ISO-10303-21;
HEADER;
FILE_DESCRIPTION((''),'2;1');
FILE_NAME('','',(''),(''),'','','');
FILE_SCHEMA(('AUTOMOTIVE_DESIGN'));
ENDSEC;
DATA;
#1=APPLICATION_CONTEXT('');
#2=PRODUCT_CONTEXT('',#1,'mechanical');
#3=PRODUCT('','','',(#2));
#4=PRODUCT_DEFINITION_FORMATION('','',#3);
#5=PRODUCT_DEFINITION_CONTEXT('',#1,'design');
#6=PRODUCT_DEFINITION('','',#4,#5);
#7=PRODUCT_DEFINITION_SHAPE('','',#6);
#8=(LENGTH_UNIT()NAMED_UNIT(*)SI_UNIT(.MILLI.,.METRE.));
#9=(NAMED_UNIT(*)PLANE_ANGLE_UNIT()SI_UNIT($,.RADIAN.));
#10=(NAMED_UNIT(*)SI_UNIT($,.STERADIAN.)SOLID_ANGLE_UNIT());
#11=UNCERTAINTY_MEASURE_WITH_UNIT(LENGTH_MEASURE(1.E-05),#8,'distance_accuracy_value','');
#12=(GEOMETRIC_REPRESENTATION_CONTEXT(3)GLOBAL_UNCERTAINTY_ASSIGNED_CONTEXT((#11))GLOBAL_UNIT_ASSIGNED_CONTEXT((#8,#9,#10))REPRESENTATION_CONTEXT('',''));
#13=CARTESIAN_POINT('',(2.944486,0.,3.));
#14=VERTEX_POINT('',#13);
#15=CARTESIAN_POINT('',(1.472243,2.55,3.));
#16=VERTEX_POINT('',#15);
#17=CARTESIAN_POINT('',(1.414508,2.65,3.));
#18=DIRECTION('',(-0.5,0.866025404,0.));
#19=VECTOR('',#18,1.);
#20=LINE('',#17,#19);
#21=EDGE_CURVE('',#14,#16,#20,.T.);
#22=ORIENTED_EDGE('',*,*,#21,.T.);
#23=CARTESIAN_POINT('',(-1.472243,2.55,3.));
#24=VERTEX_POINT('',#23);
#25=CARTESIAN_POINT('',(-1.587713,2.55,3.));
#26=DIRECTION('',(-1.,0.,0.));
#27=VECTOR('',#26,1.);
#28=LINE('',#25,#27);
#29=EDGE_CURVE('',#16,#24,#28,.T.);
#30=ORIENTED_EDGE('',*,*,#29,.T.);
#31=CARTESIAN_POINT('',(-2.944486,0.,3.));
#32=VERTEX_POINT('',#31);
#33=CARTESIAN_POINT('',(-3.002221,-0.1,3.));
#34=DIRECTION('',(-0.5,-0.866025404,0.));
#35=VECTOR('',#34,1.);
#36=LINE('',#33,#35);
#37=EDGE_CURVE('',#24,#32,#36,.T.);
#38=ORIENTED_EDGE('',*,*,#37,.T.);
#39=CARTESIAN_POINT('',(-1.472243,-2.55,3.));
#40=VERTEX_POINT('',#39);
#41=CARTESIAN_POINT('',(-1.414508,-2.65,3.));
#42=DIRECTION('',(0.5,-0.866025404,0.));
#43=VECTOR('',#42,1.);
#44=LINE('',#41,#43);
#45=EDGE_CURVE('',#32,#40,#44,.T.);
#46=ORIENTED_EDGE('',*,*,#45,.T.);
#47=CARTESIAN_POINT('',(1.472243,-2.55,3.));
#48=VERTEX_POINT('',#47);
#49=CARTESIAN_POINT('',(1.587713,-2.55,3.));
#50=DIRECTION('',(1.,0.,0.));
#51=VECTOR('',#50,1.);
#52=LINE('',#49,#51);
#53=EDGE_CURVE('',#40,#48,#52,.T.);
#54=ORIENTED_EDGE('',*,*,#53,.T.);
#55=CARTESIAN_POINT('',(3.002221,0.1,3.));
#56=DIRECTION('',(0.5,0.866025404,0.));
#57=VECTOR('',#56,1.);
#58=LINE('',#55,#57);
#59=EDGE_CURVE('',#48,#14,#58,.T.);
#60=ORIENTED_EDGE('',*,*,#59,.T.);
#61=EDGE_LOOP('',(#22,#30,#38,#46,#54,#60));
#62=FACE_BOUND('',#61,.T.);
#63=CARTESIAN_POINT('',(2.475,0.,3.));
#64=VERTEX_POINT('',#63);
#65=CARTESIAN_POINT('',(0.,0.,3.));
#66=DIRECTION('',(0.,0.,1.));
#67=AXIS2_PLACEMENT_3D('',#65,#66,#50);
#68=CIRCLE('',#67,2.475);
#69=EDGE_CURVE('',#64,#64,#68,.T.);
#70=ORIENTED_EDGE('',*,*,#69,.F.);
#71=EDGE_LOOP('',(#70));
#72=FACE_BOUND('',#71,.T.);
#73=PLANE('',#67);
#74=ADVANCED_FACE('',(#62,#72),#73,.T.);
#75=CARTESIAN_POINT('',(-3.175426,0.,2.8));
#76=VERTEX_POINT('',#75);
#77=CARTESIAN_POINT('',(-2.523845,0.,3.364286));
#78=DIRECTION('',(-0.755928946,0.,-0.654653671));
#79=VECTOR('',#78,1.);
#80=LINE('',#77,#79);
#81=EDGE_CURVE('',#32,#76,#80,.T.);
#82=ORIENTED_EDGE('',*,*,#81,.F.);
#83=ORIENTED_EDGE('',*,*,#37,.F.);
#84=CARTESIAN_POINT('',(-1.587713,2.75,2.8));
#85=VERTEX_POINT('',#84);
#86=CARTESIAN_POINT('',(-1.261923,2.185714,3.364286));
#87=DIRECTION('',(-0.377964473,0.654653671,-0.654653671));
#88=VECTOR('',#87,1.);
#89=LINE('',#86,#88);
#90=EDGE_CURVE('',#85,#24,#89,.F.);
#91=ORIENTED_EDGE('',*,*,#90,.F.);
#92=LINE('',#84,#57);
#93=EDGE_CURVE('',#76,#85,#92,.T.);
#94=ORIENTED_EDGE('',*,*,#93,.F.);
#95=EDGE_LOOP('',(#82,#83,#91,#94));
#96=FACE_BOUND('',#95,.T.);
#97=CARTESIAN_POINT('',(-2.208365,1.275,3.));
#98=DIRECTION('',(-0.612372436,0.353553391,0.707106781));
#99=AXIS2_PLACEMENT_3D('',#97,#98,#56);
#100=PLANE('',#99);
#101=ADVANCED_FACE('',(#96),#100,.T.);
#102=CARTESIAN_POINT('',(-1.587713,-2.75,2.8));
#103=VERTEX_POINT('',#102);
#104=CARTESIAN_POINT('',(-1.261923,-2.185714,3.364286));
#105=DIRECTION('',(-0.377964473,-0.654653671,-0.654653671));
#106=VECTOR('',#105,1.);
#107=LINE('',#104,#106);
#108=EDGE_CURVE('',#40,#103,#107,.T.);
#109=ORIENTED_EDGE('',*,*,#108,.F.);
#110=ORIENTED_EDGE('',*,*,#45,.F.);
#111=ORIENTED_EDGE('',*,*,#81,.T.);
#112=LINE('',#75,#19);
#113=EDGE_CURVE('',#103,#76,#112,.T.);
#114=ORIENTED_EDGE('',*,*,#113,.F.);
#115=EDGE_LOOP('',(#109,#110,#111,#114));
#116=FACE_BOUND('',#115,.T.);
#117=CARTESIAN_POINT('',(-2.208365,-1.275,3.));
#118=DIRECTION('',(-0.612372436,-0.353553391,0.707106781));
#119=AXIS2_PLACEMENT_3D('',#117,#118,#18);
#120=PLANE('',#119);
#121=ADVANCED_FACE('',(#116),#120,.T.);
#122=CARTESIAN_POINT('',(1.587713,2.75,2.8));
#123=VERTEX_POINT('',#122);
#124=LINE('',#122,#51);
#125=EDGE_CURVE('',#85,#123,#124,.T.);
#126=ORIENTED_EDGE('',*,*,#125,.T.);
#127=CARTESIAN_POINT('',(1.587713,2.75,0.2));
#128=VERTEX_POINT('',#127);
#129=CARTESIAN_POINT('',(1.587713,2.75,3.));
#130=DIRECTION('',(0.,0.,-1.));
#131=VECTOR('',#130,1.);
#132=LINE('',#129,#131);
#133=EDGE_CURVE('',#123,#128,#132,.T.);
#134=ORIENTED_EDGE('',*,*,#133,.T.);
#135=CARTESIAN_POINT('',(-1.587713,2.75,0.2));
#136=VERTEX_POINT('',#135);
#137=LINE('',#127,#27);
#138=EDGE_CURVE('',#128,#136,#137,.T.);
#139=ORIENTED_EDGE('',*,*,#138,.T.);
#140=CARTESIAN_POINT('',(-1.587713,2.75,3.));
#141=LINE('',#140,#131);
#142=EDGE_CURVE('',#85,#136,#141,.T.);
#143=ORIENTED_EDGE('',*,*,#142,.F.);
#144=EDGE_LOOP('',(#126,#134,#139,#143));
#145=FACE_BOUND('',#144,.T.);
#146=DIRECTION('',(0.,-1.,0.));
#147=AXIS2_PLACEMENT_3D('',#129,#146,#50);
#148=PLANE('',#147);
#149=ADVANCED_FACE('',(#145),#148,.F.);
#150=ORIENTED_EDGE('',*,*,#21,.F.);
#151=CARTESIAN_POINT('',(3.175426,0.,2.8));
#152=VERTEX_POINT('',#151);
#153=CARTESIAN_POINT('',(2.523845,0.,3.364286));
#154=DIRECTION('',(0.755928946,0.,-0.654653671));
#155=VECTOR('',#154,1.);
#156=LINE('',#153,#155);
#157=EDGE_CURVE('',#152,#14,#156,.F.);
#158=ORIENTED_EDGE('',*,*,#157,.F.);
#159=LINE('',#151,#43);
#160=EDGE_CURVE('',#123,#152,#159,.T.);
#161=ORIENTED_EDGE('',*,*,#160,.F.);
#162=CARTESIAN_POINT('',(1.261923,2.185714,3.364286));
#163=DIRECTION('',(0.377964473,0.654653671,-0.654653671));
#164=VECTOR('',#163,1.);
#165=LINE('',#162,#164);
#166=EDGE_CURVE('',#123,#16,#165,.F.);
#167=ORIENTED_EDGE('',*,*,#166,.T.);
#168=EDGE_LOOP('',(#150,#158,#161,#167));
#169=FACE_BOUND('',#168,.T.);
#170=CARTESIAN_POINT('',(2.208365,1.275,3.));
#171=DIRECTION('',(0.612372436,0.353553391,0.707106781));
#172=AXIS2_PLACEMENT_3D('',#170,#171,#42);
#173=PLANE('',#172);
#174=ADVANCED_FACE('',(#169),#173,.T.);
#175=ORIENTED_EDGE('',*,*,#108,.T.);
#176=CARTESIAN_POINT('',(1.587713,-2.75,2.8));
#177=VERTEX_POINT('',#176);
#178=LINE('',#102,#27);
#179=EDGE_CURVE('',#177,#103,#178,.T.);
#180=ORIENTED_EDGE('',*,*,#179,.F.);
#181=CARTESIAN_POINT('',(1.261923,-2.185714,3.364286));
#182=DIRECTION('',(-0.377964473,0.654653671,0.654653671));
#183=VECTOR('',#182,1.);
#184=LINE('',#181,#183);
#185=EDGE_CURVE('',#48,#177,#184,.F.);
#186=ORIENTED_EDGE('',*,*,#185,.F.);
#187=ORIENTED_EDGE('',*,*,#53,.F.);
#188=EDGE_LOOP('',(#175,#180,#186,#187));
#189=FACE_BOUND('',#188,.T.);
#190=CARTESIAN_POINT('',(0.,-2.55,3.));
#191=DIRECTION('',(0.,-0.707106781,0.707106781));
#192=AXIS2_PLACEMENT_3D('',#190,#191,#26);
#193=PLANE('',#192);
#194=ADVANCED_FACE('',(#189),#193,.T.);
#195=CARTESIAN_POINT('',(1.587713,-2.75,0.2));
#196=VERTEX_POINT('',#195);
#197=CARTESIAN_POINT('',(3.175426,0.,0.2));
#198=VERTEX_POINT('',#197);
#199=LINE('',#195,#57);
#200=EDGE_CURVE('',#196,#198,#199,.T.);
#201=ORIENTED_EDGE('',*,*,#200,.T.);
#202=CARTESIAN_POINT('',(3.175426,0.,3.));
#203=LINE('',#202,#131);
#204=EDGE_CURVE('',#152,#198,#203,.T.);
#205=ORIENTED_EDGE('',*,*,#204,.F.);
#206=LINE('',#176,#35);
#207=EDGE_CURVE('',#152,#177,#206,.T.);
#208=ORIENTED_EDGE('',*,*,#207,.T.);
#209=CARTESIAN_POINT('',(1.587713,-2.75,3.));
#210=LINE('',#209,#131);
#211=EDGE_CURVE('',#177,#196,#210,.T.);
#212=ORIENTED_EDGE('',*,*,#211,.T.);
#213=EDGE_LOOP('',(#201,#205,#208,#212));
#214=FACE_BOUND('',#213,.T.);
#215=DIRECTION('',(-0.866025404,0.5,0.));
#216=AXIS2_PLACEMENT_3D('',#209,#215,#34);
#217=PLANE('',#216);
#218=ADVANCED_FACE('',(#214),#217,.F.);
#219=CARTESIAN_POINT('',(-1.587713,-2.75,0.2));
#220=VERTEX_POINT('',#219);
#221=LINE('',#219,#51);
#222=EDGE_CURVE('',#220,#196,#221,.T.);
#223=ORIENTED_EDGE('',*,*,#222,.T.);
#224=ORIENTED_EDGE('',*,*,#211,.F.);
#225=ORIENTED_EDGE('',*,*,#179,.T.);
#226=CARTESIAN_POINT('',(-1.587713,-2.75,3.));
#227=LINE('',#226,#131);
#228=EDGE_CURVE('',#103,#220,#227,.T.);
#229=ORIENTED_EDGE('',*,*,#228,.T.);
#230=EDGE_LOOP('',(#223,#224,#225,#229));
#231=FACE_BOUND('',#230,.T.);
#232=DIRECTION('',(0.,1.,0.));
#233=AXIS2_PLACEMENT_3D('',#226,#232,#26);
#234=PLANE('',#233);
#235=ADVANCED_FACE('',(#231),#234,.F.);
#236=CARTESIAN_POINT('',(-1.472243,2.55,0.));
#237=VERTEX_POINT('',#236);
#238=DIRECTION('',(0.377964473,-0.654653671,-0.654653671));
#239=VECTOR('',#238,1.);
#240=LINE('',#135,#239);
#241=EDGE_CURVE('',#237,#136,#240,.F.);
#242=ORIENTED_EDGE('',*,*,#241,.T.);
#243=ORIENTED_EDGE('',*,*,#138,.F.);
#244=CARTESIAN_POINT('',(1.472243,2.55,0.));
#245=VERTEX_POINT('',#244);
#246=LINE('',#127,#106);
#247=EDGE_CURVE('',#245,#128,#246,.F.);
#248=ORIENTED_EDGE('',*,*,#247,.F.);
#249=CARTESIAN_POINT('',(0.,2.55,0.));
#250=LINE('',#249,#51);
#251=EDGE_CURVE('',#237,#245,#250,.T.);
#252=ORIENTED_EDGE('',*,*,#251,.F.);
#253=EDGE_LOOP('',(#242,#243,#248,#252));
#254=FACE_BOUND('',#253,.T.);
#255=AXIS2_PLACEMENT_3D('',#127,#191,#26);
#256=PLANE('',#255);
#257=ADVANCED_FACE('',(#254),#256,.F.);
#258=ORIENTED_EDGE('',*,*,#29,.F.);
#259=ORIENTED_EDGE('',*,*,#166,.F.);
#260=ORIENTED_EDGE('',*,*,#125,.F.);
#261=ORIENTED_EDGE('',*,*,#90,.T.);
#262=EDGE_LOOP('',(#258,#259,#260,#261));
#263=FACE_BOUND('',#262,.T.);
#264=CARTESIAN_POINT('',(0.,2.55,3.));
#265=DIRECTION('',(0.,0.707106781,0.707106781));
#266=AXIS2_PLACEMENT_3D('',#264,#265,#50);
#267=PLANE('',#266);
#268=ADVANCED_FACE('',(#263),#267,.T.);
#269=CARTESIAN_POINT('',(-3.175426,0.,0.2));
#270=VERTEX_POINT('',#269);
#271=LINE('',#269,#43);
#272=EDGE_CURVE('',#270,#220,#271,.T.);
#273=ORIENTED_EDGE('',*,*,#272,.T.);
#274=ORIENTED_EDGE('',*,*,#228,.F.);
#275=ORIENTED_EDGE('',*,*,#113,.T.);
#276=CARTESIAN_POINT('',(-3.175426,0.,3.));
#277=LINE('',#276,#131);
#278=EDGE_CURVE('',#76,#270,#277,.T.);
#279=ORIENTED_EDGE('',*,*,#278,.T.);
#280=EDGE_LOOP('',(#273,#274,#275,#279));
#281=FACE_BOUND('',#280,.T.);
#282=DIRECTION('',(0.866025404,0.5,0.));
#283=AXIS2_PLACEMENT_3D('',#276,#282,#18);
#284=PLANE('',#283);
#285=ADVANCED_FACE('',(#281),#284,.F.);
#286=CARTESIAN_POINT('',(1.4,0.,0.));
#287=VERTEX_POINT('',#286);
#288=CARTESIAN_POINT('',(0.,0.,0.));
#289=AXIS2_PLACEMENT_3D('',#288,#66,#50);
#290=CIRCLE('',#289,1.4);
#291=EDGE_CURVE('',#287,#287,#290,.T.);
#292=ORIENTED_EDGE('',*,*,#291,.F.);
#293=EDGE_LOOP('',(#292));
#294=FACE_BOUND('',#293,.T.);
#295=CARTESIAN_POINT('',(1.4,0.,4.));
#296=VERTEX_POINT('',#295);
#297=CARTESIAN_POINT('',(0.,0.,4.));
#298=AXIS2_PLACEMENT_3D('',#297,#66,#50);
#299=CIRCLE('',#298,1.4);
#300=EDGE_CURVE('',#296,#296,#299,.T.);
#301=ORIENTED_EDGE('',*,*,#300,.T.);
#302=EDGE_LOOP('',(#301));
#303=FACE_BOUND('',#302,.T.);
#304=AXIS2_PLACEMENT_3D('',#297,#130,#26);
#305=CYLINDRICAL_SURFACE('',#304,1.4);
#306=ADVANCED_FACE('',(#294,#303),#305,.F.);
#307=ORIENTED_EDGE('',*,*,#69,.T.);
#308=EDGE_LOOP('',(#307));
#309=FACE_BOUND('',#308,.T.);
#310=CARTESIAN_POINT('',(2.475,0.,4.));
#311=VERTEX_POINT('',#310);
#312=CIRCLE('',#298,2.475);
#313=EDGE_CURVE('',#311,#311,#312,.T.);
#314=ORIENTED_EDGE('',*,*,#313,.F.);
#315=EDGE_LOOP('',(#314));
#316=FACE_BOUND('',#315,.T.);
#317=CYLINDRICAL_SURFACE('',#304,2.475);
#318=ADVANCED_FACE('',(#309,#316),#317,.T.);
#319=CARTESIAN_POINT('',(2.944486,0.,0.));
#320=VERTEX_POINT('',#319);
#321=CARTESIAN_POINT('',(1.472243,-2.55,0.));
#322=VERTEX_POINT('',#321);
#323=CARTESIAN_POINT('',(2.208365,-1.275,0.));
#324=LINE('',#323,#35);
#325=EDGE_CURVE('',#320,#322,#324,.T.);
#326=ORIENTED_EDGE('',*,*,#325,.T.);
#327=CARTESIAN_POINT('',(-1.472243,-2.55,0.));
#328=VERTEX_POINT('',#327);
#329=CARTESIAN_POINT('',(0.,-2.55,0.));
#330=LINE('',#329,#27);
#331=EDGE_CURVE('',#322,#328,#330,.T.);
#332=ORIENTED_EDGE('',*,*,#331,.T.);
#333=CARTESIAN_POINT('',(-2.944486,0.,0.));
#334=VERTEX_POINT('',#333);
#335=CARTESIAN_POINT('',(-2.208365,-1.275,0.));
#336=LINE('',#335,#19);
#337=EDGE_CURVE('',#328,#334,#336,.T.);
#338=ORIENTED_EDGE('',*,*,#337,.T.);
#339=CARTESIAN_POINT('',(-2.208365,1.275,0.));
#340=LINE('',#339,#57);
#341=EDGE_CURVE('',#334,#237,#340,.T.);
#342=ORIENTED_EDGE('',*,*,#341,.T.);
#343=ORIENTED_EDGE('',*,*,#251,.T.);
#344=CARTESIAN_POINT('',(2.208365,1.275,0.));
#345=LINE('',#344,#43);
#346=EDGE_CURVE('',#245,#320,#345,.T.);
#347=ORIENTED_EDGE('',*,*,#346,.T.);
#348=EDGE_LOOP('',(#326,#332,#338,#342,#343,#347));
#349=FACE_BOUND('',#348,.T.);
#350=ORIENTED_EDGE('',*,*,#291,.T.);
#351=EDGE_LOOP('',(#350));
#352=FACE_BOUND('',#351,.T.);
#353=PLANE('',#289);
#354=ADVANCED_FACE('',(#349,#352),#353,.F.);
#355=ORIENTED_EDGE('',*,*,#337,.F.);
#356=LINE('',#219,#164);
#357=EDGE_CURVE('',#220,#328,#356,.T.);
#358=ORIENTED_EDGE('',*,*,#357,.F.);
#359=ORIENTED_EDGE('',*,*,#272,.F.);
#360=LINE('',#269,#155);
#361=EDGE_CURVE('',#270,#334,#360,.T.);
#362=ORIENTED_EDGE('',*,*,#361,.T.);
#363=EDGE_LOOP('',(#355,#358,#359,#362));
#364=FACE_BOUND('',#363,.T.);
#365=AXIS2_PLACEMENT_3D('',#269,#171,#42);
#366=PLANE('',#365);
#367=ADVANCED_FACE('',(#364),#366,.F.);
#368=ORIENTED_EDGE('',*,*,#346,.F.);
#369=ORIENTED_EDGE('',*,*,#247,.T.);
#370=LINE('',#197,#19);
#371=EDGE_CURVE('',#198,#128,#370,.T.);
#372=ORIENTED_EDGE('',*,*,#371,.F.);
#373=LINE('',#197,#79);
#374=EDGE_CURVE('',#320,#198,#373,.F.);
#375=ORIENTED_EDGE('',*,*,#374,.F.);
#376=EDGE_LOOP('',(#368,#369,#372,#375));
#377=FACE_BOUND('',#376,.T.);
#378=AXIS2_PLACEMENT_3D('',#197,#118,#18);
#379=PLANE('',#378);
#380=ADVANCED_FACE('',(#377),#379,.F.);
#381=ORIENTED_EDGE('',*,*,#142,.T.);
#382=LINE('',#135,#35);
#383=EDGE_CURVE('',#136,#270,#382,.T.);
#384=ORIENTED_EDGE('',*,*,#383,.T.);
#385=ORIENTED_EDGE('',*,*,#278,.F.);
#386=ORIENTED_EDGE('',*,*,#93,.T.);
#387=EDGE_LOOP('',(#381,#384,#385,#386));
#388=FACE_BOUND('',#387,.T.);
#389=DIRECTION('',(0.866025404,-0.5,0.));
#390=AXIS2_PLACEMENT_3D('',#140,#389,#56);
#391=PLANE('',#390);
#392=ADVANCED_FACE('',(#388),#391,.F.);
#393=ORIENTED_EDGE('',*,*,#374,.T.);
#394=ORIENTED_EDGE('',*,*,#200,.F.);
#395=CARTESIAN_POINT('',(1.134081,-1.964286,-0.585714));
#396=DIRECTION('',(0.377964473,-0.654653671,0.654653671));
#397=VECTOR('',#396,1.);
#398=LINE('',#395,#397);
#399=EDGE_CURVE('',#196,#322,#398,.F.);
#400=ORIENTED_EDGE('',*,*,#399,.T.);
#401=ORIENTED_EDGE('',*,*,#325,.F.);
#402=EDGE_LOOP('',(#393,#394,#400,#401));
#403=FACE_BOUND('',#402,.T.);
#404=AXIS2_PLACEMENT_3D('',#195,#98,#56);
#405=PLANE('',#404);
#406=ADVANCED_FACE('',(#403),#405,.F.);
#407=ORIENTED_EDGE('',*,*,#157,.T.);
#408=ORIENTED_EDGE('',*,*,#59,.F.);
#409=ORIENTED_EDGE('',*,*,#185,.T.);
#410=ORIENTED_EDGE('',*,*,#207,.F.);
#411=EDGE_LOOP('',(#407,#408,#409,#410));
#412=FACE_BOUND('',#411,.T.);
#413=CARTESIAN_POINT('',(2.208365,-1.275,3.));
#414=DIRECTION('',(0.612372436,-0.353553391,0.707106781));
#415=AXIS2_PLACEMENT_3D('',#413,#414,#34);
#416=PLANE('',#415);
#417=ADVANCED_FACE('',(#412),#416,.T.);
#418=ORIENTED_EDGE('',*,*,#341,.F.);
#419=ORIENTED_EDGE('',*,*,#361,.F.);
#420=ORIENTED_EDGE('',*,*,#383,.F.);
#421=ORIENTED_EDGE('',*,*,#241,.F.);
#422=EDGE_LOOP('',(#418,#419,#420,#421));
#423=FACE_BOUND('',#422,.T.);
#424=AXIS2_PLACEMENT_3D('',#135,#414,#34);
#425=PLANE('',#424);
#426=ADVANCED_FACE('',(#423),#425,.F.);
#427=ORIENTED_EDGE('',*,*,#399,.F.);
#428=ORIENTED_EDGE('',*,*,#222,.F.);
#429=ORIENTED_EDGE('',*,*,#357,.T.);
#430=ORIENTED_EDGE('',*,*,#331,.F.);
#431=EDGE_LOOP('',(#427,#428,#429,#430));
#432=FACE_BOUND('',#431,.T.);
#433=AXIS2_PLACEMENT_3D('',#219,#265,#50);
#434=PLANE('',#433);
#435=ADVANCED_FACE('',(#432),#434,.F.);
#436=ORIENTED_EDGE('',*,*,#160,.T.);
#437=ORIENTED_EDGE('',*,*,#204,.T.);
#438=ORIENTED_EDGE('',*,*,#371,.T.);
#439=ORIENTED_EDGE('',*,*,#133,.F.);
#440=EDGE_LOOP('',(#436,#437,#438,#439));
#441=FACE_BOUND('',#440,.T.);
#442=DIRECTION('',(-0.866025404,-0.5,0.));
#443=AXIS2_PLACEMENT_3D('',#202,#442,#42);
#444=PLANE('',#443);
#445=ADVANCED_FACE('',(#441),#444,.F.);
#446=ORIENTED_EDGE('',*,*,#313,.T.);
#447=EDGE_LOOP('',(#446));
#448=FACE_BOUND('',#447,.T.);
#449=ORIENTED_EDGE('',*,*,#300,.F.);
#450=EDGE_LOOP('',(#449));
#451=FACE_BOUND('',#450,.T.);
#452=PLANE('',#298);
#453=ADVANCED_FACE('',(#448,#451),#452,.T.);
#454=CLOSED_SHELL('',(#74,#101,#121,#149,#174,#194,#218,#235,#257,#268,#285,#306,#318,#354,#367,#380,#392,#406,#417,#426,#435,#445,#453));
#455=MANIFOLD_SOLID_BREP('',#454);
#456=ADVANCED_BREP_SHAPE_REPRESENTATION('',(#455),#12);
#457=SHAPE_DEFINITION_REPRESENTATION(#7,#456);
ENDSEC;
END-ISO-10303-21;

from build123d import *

# Parameters (mm, degrees)
NUT_HEX_EXTRUDE_DEPTH  = 3
HEX_EDGE_CHAMFERS_SIZE = 0.2
NYLON_COLLAR_SKETCH_R  = 2.475
NYLON_COLLAR_DEPTH     = 1
THREAD_BORE_SKETCH_R   = 1.4
THREAD_BORE_CUT_DEPTH  = 6.800502852


with BuildPart() as part:
    # Nut Hex Sketch → Nut Hex Extrude (new body)
    with BuildSketch(Plane.XY):
        Polygon((3.175426481, 0), (1.58771324, 2.75), (-1.58771324, 2.75), (-3.175426481, 0), (-1.58771324, -2.75), (1.58771324, -2.75), align=None)
    extrude(amount=NUT_HEX_EXTRUDE_DEPTH)

    # Hex Edge Chamfers
    hex_edge_chamfers_edges = [part.edges().sort_by_distance(p)[0] for p in [
        (0, 2.75, 3),
        (-2.38156986, 1.375, 3),
        (-2.38156986, -1.375, 3),
        (0, -2.75, 3),
        (2.38156986, -1.375, 3),
        (0, -2.75, 0),
        (-2.38156986, -1.375, 0),
        (-2.38156986, 1.375, 0),
        (0, 2.75, 0),
        (2.38156986, 1.375, 0),
        (2.38156986, -1.375, 0),
        (2.38156986, 1.375, 3),
    ]]
    chamfer(hex_edge_chamfers_edges, length=HEX_EDGE_CHAMFERS_SIZE)

    # Nylon Collar Sketch → Nylon Collar (add)
    with BuildSketch(Plane.XY.offset(3)):
        Circle(NYLON_COLLAR_SKETCH_R)
    extrude(amount=NYLON_COLLAR_DEPTH)

    # Thread Bore Sketch → Thread Bore Cut (cut, through all)
    with BuildSketch(Plane.XY):
        Circle(THREAD_BORE_SKETCH_R)
    extrude(amount=THREAD_BORE_CUT_DEPTH, mode=Mode.SUBTRACT)


solid = part.part
